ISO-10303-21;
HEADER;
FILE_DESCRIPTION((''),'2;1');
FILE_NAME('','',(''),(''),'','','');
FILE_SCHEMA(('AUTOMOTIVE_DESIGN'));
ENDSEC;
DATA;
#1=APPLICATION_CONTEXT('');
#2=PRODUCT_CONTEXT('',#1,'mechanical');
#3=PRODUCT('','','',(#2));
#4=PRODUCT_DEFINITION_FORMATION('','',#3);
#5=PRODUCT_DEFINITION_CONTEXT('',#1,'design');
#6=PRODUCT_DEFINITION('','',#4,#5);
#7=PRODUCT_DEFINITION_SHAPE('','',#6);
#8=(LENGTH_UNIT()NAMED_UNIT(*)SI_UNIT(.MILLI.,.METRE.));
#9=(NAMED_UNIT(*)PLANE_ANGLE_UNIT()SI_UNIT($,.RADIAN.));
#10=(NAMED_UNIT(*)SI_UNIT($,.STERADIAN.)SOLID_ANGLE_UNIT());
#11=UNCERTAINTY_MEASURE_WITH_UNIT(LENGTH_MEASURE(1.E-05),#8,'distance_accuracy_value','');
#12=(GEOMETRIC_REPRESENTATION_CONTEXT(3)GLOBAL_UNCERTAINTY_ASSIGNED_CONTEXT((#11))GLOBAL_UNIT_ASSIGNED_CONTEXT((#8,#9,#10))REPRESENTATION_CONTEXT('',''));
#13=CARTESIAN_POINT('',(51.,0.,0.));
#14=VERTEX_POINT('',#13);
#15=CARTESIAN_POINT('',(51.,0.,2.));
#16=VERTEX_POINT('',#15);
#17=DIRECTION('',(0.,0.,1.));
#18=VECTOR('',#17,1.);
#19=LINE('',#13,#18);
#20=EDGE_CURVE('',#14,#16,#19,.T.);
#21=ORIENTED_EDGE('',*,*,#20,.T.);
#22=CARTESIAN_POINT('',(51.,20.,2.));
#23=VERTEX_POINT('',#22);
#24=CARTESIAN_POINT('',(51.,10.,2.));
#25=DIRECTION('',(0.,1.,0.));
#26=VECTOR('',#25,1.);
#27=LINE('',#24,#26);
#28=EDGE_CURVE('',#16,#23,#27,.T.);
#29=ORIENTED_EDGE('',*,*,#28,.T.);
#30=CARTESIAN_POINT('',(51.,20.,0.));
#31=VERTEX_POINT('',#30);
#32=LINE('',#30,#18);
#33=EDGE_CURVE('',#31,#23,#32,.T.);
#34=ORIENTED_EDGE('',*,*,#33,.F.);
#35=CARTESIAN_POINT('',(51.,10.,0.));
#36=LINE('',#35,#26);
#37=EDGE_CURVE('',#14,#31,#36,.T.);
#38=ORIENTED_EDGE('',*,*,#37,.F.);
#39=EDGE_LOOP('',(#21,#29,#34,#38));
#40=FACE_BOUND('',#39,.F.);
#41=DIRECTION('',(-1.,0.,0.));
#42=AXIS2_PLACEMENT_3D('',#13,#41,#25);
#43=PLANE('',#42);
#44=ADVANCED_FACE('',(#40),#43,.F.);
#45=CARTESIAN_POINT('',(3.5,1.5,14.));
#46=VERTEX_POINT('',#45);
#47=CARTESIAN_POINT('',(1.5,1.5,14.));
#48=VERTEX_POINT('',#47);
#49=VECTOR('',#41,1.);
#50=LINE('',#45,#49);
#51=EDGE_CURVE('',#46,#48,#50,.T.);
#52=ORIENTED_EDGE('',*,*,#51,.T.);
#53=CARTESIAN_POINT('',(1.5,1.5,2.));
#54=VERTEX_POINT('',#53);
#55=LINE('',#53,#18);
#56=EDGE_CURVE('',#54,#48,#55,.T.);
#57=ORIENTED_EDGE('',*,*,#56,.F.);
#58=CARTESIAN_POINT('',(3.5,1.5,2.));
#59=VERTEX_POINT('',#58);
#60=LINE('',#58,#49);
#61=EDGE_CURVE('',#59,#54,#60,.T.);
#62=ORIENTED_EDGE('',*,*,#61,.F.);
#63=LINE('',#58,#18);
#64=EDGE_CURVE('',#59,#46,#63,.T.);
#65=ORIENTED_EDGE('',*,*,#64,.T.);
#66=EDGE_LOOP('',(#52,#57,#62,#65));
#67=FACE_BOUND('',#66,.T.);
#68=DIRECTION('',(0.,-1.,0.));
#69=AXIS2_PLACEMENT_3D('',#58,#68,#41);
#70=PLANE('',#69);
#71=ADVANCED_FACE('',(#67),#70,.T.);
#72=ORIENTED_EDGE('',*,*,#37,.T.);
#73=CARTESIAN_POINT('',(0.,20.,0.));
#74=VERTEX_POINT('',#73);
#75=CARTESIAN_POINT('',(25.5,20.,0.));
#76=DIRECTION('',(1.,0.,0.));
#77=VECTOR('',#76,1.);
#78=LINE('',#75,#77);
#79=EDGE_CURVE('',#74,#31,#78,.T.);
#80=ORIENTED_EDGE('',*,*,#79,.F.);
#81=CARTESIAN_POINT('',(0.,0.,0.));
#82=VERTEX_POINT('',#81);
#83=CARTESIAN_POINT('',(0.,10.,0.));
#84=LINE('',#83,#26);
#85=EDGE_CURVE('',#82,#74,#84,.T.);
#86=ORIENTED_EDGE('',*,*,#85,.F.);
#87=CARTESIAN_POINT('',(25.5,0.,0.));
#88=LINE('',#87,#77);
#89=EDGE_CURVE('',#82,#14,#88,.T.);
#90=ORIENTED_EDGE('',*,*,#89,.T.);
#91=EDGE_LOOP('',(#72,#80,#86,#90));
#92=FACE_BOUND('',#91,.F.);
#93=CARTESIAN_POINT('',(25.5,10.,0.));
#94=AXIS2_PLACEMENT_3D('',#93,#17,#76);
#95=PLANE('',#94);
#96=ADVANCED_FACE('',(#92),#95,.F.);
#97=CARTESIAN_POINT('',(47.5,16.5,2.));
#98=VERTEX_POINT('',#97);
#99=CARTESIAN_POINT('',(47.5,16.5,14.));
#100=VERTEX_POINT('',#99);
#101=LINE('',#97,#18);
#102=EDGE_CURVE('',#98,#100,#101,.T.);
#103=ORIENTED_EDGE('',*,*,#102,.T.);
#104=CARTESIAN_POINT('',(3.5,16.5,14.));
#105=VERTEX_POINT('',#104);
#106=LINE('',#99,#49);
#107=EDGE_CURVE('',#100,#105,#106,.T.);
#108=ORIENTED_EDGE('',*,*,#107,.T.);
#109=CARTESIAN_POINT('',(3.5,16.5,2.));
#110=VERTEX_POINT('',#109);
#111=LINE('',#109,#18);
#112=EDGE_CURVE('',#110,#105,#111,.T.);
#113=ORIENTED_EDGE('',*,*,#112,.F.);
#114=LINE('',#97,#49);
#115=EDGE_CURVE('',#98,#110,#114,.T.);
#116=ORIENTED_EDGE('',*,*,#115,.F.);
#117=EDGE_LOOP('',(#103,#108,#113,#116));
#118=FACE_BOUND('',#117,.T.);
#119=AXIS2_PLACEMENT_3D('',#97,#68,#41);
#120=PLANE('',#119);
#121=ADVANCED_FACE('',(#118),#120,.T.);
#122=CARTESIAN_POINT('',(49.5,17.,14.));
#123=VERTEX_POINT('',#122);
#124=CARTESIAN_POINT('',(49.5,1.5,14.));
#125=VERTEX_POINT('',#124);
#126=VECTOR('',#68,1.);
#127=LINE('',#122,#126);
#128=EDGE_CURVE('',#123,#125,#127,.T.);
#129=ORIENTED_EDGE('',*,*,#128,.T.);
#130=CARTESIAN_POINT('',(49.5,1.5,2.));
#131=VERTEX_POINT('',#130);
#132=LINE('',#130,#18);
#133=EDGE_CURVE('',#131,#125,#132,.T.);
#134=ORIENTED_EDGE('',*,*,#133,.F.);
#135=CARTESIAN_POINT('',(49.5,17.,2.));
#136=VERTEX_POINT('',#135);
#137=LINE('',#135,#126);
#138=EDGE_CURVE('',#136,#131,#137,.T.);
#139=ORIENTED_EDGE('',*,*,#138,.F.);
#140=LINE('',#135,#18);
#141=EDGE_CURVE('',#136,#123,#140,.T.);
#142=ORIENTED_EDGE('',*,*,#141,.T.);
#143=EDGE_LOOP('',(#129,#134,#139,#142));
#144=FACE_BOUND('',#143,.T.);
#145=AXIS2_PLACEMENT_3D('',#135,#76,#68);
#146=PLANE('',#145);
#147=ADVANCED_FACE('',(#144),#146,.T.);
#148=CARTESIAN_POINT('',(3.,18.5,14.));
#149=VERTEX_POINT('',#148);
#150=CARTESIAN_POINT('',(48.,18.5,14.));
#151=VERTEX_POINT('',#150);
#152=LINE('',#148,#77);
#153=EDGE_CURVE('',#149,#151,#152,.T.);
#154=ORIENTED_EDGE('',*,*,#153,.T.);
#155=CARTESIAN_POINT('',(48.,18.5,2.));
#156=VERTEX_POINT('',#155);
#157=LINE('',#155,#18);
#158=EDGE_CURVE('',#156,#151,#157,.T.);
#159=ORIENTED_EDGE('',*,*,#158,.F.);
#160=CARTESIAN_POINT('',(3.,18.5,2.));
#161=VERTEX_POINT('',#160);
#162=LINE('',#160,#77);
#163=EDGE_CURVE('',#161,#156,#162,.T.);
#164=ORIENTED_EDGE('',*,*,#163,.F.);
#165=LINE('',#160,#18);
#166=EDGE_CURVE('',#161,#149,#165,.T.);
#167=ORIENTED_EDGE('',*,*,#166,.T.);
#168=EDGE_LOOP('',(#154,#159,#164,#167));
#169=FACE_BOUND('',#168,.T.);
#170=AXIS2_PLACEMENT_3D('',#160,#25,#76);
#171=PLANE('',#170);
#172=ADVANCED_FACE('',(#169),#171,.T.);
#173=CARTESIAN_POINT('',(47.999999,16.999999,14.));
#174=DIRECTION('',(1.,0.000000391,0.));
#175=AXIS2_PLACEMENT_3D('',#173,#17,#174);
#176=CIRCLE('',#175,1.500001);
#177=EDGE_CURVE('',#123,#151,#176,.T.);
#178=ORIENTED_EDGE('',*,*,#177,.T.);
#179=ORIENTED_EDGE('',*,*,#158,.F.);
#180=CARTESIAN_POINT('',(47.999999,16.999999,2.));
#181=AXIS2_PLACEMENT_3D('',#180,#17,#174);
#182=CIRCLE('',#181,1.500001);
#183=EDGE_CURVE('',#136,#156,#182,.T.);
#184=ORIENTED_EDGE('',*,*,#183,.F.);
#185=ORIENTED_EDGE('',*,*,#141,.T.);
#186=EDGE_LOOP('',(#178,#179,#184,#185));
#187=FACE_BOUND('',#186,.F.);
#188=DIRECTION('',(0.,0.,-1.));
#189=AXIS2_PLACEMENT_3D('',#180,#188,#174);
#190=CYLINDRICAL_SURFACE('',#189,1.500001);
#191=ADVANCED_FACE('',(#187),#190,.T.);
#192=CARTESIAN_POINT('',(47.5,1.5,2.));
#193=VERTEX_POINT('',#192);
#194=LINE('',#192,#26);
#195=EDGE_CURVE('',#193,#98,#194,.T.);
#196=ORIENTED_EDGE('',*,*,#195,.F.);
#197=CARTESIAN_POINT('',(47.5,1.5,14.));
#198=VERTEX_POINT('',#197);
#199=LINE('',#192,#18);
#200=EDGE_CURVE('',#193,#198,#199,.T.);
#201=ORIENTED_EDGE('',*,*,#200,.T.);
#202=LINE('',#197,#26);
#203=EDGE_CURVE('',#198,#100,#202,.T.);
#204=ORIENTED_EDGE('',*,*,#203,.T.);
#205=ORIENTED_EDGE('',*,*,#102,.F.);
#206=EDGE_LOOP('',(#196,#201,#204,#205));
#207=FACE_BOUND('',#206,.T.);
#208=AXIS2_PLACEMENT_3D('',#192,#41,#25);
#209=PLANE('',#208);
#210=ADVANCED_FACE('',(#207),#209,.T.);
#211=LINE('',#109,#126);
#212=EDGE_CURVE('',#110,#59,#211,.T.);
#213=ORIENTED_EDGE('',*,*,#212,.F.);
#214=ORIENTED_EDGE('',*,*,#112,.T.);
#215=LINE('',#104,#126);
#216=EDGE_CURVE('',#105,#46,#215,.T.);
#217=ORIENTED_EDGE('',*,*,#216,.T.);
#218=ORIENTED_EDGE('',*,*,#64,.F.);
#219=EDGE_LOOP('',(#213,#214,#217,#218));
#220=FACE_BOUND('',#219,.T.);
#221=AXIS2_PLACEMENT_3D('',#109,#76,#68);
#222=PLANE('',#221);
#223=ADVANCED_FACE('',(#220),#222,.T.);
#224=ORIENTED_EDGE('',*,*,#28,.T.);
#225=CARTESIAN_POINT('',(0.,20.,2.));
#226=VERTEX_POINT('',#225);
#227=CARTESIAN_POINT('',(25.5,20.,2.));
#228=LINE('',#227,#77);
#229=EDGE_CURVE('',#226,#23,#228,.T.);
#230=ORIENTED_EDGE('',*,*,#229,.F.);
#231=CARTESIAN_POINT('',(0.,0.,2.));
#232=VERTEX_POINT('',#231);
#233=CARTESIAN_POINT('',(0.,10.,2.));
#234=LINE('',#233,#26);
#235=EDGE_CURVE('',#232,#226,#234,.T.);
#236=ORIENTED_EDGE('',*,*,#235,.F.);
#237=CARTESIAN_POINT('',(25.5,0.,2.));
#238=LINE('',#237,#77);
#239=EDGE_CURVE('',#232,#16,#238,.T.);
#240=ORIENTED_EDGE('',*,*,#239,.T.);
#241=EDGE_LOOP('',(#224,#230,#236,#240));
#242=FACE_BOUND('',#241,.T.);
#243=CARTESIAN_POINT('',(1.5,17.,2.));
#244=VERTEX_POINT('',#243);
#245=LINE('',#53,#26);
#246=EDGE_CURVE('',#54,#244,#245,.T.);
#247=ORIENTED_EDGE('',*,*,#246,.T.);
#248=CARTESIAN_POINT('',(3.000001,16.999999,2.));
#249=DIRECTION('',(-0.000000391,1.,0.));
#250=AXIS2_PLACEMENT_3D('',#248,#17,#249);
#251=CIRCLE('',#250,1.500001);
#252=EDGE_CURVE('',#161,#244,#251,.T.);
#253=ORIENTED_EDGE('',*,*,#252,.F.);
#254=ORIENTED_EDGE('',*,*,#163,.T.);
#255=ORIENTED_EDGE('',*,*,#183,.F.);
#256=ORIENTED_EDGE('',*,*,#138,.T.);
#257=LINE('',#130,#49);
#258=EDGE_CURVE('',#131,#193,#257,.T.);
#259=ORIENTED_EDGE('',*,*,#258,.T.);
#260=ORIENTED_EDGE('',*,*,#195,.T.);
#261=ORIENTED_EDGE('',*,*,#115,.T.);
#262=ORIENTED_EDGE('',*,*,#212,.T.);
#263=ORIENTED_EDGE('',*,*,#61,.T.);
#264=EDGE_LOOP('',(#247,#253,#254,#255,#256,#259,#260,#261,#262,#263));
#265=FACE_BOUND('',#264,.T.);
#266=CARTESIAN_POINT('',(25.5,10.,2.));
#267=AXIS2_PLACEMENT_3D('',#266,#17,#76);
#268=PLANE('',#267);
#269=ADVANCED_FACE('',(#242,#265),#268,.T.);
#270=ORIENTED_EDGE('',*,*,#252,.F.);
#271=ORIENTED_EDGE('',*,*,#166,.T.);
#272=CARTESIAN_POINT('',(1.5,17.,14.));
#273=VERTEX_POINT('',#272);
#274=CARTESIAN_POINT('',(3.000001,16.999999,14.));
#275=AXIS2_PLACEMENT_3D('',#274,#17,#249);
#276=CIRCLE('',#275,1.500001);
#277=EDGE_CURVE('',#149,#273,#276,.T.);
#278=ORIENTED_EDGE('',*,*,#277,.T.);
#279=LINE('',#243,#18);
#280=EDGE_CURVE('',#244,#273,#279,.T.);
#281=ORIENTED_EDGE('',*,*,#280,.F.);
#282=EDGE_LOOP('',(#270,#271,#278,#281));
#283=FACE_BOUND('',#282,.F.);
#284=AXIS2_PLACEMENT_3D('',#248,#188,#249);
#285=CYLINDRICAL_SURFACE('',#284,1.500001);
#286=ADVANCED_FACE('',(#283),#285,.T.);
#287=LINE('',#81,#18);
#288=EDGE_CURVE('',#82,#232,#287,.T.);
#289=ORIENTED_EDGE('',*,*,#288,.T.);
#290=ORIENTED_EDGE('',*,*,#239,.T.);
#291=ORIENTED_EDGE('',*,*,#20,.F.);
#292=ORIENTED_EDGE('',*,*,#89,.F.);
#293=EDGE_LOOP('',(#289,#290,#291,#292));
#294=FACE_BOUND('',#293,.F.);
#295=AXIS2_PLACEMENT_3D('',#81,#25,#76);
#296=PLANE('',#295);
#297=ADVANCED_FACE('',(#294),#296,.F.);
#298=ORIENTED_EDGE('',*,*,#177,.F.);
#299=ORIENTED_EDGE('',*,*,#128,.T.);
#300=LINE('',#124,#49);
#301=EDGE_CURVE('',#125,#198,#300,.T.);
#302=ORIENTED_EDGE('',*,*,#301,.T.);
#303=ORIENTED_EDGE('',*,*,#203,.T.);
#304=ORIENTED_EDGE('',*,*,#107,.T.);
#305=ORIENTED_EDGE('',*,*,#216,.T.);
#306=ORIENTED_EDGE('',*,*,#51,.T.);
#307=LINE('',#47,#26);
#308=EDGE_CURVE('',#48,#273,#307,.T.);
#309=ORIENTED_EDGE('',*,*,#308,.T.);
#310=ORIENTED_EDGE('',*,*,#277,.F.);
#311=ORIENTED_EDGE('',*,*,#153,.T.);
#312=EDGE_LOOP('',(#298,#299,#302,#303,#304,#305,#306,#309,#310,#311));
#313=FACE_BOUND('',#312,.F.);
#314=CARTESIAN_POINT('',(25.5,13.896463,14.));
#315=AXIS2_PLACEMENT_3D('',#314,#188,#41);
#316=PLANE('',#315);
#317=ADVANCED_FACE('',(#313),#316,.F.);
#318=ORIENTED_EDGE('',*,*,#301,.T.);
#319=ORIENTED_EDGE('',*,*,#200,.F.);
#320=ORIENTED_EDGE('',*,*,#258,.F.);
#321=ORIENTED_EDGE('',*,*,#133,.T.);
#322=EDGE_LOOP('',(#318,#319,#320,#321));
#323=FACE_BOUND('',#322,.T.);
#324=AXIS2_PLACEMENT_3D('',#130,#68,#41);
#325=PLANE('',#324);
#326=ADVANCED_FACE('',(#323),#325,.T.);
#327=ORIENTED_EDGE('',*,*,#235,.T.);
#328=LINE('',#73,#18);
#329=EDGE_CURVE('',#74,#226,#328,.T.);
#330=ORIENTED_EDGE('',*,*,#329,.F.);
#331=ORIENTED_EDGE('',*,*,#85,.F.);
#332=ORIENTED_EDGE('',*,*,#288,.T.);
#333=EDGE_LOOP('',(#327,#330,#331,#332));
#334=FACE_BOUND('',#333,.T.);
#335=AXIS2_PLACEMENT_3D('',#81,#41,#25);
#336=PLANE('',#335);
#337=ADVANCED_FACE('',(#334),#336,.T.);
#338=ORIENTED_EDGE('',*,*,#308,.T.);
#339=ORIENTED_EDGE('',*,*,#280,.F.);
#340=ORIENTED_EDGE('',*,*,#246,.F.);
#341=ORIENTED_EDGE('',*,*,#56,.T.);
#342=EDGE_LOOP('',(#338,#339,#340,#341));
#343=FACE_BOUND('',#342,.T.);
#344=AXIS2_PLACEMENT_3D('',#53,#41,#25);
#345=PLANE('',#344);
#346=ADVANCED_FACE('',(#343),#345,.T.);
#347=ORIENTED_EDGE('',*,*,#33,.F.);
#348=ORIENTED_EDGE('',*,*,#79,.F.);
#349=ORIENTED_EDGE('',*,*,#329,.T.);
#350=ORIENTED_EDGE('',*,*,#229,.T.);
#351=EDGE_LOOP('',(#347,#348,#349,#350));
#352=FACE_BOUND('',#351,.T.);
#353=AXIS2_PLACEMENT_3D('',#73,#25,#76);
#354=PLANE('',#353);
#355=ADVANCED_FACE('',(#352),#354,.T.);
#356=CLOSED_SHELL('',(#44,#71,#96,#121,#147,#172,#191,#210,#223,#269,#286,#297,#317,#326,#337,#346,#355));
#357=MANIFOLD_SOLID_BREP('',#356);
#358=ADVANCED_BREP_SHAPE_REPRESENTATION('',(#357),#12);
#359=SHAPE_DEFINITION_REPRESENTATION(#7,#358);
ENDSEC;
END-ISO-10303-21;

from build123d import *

# Parameters (mm, degrees)
SKETCH_W     = 51
SKETCH_H     = 20
PAD_DEPTH    = 2
PAD001_DEPTH = 12


with BuildPart() as part:
    # Sketch → Pad (new body)
    with BuildSketch(Plane.XY):
        with Locations((25.5, 10)):
            Rectangle(SKETCH_W, SKETCH_H)
    extrude(amount=PAD_DEPTH)

    # Sketch001 (on Face6 of Pad) → Pad001 (join)
    with BuildSketch(Plane.XY.offset(2)):
        with BuildLine():
            Line((1.5, 1.5), (1.5, 17))
            ThreePointArc((3, 18.5), (1.93934, 18.06066), (1.5, 17))
            Line((3, 18.5), (48, 18.5))
            ThreePointArc((49.5, 17), (49.06066, 18.06066), (48, 18.5))
            Line((49.5, 17), (49.5, 1.5))
            Line((49.5, 1.5), (47.5, 1.5))
            Line((47.5, 1.5), (47.5, 16.5))
            Line((47.5, 16.5), (3.5, 16.5))
            Line((3.5, 16.5), (3.5, 1.5))
            Line((3.5, 1.5), (1.5, 1.5))
        make_face()
    extrude(amount=PAD001_DEPTH)


solid = part.part
